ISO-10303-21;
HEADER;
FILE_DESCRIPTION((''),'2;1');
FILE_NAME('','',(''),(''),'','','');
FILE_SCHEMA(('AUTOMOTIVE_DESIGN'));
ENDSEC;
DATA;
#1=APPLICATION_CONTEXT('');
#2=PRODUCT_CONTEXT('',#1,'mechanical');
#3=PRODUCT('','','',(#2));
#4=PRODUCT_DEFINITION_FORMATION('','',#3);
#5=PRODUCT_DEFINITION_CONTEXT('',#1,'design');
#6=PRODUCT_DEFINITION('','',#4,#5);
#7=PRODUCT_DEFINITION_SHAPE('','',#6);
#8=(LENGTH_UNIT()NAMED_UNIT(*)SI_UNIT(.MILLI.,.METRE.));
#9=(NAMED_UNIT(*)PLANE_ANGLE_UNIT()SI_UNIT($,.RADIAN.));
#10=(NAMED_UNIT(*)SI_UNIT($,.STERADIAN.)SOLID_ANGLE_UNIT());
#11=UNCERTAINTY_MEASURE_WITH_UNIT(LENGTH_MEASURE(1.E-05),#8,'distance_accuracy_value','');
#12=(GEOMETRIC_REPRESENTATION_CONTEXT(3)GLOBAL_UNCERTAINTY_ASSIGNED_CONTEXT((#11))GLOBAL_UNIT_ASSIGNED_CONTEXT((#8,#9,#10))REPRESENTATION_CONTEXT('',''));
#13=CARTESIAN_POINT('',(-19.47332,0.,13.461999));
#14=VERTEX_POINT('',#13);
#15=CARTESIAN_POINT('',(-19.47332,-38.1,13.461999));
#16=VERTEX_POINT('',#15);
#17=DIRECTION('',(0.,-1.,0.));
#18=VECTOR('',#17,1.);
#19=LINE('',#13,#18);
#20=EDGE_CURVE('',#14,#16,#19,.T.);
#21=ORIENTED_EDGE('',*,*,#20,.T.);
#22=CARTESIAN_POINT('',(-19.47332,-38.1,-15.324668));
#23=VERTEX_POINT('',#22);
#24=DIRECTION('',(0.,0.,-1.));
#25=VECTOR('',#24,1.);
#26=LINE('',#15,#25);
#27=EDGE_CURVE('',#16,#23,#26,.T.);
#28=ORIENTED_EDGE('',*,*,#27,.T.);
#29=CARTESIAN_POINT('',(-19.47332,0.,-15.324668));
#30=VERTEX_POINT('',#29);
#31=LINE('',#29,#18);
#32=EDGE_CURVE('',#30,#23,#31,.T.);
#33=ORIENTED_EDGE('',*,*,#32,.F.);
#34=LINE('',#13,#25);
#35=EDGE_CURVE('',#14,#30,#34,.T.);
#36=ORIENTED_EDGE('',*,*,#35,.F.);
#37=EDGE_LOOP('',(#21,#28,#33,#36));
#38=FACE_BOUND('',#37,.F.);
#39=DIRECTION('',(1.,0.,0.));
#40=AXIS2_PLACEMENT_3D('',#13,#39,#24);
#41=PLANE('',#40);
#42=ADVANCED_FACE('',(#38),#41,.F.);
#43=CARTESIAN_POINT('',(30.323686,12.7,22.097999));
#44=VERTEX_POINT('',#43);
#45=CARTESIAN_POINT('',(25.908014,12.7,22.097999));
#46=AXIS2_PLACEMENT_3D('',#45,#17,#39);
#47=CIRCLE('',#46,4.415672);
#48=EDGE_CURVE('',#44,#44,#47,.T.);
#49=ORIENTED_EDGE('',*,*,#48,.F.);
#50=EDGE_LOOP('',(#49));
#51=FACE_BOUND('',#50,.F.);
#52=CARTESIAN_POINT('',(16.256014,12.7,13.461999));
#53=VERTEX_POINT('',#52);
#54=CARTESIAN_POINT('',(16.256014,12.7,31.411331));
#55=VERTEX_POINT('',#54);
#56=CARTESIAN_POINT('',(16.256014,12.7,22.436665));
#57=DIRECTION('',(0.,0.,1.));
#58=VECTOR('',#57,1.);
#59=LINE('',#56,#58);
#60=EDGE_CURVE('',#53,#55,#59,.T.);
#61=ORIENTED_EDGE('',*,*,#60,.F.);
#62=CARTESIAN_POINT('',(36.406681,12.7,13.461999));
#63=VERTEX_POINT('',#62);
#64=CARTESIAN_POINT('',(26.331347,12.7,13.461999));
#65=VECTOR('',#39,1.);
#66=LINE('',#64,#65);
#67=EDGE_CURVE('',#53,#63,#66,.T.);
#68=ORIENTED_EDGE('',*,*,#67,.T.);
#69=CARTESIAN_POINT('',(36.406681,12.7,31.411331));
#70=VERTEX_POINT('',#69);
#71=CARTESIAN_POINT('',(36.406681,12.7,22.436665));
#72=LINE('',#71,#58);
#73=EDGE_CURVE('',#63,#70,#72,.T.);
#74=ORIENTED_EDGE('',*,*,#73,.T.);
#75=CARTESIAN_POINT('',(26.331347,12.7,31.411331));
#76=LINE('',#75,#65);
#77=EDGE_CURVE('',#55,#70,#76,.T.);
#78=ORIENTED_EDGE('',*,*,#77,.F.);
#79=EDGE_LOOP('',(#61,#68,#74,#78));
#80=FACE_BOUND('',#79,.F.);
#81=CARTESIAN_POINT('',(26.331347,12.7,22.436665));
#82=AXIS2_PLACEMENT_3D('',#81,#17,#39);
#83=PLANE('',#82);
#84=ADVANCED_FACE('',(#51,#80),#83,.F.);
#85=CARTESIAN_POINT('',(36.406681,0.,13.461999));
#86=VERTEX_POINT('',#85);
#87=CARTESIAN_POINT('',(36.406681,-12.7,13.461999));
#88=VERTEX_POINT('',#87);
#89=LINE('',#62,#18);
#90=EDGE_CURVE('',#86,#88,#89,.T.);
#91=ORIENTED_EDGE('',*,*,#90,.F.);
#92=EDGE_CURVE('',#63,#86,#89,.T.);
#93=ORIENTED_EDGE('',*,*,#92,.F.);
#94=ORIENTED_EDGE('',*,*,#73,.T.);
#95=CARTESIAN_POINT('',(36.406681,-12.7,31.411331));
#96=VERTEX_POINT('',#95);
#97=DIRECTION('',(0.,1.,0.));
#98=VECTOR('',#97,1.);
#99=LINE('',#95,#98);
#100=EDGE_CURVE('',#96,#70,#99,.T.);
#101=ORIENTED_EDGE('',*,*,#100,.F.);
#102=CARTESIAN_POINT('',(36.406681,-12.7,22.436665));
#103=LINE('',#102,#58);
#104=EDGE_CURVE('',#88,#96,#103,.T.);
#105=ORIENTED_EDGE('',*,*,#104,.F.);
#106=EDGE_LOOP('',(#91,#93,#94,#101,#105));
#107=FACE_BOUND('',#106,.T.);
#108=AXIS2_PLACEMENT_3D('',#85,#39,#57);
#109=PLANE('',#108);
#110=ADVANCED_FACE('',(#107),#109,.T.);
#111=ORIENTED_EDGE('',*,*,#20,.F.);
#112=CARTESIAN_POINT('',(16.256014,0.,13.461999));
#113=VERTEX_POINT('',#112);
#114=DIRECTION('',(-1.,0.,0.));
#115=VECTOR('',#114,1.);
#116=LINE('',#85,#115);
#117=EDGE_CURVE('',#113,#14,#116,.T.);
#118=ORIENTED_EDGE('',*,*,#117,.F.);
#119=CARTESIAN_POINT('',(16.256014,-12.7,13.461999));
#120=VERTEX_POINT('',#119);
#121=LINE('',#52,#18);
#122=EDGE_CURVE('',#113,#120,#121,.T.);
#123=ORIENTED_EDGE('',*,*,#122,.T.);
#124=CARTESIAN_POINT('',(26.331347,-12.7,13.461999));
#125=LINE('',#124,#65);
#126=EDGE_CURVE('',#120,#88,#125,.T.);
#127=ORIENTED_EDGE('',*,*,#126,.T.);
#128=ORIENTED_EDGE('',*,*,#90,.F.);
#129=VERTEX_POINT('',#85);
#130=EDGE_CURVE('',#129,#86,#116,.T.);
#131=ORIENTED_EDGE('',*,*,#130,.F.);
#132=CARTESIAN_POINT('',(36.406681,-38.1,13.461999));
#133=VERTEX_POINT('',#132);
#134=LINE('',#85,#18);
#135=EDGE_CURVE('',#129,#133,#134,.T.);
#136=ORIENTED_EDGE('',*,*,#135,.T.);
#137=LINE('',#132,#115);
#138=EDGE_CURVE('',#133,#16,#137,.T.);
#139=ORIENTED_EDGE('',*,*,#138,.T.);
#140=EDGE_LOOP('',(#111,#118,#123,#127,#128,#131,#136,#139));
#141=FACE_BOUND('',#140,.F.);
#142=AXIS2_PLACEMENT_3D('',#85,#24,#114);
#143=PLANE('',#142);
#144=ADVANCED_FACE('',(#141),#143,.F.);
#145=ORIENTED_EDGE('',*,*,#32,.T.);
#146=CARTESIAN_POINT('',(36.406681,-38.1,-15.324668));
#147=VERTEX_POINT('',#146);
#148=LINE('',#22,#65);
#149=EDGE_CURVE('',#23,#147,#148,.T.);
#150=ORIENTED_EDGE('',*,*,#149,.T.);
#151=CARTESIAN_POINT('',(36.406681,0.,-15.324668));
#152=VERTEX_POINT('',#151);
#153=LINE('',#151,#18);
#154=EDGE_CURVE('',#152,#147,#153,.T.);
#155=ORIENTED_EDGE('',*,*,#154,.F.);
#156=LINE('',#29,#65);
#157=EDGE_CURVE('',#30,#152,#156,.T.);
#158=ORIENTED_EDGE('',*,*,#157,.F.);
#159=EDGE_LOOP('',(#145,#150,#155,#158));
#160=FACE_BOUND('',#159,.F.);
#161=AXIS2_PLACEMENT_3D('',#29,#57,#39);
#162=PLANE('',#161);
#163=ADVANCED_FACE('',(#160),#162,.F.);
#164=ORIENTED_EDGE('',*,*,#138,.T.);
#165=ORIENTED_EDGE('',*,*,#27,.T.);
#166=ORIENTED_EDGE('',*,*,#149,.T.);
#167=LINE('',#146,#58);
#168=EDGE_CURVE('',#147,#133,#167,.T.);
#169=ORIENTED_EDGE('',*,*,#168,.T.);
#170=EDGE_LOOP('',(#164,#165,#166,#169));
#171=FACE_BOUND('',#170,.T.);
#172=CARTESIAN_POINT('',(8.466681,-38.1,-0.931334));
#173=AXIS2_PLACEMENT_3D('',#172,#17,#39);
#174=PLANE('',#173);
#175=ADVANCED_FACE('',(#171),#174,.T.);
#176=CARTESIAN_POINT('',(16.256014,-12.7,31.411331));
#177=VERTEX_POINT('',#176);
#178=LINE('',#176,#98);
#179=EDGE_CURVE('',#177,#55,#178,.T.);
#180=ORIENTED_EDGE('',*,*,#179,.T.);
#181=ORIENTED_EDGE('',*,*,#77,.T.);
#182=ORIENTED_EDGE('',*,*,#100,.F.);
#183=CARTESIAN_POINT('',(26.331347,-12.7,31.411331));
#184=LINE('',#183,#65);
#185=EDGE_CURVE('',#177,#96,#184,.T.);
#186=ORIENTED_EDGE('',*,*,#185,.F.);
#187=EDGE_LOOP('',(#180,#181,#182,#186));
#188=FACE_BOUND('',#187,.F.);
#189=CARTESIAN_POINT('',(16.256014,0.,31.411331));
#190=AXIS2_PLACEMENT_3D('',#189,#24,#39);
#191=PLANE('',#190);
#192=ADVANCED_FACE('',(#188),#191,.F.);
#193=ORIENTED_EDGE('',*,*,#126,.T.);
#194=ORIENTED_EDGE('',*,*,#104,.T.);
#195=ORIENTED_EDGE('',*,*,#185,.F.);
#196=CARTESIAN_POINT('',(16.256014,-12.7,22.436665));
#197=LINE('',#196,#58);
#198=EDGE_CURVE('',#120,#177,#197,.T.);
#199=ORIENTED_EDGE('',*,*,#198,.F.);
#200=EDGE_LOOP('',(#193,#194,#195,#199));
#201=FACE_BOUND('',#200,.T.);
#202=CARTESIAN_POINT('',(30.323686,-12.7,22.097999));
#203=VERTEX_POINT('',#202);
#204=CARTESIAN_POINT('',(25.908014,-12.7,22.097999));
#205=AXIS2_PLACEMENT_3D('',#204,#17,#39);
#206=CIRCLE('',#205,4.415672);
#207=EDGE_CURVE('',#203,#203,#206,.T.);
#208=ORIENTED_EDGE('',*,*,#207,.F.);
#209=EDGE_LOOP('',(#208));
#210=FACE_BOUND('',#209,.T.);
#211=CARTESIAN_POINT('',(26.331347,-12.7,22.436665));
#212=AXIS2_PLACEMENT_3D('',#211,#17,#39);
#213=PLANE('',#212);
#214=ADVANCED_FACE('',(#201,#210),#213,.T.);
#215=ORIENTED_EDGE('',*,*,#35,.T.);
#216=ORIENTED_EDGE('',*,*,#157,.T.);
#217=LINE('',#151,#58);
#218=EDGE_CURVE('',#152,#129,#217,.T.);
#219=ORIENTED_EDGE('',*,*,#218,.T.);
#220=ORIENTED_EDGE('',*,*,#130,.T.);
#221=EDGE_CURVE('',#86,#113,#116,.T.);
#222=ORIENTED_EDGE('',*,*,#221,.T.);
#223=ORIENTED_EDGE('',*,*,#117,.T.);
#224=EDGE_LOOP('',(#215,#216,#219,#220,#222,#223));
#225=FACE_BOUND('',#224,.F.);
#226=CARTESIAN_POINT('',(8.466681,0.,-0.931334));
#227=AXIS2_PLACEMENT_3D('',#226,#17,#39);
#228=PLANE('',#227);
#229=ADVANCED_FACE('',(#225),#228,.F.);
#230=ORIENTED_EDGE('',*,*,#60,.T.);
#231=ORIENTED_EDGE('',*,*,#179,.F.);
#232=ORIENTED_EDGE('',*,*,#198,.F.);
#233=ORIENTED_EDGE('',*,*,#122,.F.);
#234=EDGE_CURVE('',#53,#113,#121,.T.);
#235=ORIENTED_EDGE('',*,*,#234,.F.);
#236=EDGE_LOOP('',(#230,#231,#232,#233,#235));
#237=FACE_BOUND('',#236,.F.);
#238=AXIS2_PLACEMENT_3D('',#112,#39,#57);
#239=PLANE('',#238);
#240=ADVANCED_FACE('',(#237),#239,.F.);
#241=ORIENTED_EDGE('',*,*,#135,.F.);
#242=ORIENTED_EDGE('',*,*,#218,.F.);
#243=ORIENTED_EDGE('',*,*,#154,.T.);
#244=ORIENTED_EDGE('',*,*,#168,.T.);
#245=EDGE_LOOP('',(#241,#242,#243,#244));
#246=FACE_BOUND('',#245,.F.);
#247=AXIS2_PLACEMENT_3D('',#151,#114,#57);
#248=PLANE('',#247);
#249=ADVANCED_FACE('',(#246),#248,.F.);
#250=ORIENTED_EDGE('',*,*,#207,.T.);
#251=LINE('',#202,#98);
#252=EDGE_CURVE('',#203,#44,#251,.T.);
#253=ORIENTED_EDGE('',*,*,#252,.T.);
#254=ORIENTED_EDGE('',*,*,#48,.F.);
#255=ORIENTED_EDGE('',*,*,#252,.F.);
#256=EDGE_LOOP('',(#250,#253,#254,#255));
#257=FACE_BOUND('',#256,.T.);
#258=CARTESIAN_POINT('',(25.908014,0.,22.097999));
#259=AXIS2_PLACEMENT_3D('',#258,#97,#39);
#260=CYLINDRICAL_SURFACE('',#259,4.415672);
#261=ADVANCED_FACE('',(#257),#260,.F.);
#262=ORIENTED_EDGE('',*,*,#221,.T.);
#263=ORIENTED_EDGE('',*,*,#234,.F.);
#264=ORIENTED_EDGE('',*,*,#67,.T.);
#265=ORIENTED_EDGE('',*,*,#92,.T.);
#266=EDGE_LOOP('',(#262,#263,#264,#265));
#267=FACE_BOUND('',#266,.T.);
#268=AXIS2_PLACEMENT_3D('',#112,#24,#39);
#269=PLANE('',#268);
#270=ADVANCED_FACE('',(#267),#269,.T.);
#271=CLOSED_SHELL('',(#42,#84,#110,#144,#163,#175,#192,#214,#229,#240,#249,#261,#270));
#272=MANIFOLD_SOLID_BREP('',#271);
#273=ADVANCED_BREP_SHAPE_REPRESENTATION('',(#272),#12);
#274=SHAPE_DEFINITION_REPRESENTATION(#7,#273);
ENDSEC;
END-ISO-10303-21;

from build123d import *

# Parameters (mm, degrees)
F0_W     = 20.150667
F0_H     = 17.949332
F0_R     = 4.415672
F1_DEPTH = 12.7
F2_DEPTH = 38.1


with BuildPart() as f1:
    # F0 (on Front) → F1 (new body, symmetric)
    with BuildSketch(Plane.XZ):
        with Locations((26.331347, 22.436665)):
            Rectangle(F0_W, F0_H)
        with Locations((25.908014, 22.097999)):
            Circle(F0_R, mode=Mode.SUBTRACT)
    extrude(amount=F1_DEPTH, both=True)

    # F0 (on Front) → F2 (join)
    with BuildSketch(Plane.XZ):
        Polygon((16.256014, 13.461999), (-19.47332, 13.461999), (-19.47332, -15.324668), (36.406681, -15.324668), (36.406681, 13.461999), align=None)
    extrude(amount=F2_DEPTH)


solid = f1.part
